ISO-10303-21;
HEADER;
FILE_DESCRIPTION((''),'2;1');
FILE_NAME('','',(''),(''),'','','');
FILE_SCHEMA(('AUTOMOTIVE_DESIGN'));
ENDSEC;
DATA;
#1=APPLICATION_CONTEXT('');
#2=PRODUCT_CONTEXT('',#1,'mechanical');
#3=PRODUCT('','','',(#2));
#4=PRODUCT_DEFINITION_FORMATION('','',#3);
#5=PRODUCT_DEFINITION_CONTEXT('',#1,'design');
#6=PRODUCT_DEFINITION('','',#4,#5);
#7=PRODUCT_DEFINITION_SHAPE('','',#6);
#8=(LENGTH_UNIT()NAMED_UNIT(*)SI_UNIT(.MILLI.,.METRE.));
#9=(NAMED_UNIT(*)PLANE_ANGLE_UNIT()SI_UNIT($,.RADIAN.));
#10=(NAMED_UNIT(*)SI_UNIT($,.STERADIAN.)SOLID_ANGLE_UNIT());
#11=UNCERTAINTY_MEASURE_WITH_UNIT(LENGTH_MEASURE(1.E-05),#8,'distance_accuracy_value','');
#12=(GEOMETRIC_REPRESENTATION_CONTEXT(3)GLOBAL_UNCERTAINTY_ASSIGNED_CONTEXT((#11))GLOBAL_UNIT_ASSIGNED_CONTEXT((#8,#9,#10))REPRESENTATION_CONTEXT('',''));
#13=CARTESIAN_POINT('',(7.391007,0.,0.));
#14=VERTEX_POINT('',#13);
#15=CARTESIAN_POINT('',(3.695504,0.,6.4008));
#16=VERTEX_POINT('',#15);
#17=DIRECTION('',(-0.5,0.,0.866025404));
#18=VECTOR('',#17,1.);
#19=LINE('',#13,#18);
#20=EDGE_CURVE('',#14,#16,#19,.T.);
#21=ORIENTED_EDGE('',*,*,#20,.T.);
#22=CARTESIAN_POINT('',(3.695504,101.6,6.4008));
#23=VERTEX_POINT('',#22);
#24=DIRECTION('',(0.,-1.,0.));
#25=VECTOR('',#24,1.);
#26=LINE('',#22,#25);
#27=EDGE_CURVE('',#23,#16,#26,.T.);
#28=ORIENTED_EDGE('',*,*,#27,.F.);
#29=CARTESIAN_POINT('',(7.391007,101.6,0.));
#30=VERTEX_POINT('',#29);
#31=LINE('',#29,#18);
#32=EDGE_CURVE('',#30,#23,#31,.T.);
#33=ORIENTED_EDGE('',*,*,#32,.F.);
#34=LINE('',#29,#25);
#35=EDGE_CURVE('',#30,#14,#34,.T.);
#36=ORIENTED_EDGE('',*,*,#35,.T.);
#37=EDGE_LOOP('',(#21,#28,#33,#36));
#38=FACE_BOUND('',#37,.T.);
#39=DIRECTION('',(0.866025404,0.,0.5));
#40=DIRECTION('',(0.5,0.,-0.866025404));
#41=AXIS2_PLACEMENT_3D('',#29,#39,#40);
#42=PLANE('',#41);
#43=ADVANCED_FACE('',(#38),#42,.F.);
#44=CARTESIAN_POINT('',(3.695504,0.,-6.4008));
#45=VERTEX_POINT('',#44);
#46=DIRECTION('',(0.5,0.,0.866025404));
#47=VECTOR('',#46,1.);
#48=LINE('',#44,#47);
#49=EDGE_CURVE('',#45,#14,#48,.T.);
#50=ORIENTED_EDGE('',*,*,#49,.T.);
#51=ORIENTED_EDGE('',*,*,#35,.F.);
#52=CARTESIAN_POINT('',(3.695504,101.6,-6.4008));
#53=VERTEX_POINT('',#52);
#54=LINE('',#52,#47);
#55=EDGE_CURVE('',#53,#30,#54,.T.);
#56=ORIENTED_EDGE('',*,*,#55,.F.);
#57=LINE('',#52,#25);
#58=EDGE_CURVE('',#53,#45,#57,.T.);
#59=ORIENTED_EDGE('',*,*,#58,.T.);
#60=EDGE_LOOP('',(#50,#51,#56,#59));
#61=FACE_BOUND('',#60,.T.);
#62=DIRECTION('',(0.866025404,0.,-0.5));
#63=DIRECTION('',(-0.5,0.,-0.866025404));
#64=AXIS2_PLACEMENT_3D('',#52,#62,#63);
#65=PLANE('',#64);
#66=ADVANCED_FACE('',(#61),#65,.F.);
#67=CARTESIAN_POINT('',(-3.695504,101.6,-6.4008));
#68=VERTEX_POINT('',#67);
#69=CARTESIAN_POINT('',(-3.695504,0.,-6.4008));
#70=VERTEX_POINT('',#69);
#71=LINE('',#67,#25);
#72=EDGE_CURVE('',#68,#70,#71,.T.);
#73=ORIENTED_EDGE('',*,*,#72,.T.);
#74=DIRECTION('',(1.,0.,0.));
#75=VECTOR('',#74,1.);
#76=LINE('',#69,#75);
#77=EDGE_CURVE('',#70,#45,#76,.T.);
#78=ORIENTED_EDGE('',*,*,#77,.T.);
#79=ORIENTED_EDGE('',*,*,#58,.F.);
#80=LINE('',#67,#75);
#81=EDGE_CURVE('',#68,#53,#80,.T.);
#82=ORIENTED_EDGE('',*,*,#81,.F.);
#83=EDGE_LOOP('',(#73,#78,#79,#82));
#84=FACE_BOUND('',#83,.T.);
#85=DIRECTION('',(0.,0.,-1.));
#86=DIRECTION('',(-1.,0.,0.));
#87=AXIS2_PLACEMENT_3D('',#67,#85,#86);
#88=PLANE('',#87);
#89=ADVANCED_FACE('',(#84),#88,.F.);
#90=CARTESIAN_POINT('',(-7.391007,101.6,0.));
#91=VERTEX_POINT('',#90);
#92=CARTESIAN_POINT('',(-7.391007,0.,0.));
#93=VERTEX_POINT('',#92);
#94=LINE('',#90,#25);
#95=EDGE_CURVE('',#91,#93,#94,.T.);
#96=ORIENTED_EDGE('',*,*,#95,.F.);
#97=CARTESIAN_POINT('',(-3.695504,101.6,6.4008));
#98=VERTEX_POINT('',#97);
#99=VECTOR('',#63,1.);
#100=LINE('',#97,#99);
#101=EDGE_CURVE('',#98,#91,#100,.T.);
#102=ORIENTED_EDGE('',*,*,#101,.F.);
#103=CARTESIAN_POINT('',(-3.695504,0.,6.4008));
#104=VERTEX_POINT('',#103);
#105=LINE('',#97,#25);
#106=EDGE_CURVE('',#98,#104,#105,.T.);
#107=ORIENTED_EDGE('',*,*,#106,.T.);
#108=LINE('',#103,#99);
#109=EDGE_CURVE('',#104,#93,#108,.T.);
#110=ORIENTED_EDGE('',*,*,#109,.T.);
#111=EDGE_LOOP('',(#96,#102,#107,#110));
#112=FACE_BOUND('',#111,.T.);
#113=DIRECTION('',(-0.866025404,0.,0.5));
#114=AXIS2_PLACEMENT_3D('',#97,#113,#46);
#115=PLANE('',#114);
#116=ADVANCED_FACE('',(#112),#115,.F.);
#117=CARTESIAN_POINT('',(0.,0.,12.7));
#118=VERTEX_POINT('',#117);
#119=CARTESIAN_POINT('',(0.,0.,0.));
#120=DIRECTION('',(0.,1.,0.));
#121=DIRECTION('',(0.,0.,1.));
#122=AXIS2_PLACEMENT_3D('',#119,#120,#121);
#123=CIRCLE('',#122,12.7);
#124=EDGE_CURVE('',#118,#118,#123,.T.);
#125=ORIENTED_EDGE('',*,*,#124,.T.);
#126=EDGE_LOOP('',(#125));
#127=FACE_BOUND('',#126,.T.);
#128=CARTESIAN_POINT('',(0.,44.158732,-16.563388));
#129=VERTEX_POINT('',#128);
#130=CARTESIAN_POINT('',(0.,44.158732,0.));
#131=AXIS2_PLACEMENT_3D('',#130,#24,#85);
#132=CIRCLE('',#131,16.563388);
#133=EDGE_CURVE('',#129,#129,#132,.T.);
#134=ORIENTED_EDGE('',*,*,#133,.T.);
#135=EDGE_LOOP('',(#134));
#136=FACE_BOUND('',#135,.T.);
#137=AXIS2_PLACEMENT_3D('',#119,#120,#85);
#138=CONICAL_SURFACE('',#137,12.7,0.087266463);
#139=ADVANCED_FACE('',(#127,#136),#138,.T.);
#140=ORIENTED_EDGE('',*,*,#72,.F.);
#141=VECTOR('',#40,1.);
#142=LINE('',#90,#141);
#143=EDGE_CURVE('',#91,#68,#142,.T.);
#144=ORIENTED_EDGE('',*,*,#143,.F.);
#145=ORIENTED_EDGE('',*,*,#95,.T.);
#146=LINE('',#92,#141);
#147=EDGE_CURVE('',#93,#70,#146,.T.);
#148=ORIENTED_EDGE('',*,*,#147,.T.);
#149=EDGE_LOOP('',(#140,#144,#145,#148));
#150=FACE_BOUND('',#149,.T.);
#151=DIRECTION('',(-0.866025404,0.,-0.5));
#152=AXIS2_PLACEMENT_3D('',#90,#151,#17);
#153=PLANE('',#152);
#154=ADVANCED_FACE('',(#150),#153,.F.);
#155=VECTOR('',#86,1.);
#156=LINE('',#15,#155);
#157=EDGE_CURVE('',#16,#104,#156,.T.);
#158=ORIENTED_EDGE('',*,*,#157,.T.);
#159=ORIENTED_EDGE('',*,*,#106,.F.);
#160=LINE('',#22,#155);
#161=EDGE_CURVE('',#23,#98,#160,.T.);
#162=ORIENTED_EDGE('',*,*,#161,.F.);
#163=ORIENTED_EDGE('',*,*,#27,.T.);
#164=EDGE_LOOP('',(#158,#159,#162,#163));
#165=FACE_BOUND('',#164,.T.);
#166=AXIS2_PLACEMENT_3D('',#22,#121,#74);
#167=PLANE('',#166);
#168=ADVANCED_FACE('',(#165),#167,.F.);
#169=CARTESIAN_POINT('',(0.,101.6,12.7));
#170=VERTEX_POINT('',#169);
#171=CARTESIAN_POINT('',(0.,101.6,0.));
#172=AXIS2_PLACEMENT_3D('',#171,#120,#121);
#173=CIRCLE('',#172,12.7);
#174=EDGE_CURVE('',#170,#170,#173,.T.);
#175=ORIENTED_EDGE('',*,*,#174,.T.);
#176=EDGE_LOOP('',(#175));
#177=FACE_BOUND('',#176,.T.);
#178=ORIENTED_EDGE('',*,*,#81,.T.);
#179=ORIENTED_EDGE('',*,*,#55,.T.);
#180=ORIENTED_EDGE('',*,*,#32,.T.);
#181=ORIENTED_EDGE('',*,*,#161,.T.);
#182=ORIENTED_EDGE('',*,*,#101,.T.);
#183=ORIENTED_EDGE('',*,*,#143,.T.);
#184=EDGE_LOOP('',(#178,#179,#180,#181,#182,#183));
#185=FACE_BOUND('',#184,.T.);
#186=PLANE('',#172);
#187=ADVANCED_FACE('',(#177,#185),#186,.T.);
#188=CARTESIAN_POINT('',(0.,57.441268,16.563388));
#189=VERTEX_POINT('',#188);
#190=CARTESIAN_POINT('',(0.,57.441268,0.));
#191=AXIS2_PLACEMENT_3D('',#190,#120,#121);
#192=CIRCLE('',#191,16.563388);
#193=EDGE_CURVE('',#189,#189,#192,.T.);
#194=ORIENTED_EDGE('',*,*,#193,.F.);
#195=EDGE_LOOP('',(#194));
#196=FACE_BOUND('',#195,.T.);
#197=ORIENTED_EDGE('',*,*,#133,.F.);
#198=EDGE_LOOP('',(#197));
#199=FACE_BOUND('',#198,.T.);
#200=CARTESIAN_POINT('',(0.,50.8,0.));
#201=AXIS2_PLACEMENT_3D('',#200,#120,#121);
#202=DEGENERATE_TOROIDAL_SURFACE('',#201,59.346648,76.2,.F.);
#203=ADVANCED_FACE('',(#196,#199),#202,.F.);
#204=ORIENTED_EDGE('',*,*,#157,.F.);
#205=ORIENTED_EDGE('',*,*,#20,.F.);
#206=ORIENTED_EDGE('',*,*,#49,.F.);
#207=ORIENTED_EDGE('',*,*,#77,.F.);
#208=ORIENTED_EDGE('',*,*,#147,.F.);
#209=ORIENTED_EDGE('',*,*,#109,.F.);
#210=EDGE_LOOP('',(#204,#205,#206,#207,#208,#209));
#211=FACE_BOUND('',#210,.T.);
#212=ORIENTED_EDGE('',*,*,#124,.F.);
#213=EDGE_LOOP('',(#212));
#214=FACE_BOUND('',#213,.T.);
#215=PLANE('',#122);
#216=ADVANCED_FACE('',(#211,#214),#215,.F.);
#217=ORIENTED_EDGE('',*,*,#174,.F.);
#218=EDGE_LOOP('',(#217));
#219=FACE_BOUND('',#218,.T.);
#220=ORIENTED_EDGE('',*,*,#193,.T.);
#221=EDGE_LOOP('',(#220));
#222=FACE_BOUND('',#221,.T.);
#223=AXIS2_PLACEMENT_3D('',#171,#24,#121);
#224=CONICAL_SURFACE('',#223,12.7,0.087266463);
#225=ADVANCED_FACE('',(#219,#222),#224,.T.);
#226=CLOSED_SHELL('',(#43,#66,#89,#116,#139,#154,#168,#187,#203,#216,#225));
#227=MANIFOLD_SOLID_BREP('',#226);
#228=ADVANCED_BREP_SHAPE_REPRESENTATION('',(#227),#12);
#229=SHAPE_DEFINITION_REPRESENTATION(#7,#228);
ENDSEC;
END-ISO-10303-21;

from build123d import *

# Parameters (mm, degrees)
SKETCH1_R           = 12.7
BOSS_EXTRUDE1_DEPTH = 101.6
SKETCH2_R           = 12.7
BOSS_EXTRUDE2_DEPTH = 50.8
BOSS_EXTRUDE2_DRAFT = 5
SKETCH3_R           = 12.7
BOSS_EXTRUDE3_DEPTH = 50.8
BOSS_EXTRUDE3_DRAFT = 5
CUT_EXTRUDE1_DEPTH  = 105.452968153
FILLET2_R           = 76.2


with BuildPart() as part:
    # Sketch1 → Boss-Extrude1 (new body)
    with BuildSketch(Plane(origin=(0, 0, 0), x_dir=(1, 0, 0), z_dir=(0, 1, 0))):
        with Locations(Location((0, 0, 0), (0, 0, 270))):
            Circle(SKETCH1_R)
    extrude(amount=BOSS_EXTRUDE1_DEPTH)


with BuildPart() as boss_extrude2_tool:
    # Sketch2 → Boss-Extrude2 (with draft: the straight prism first)
    with BuildSketch(Plane(origin=(0, 101.6, 0), x_dir=(1, 0, 0), z_dir=(0, 1, 0))):
        with Locations(Location((0, 0, 0), (0, 0, 270))):
            Circle(SKETCH2_R)
    extrude(amount=-BOSS_EXTRUDE2_DEPTH)
    # Boss-Extrude2: the draft: its side faces are tilted about the plane it starts from
    boss_extrude2_sides = [boss_extrude2_tool.faces().sort_by_distance(p)[0] for p in [
        (0, 76.2, -12.7),
    ]]
    draft(boss_extrude2_sides, Plane(origin=(0, 101.6, 0), x_dir=(1, 0, 0), z_dir=(0, 1, 0)), BOSS_EXTRUDE2_DRAFT)


with BuildPart() as part_1:
    add(part.part)

    # Boss-Extrude2: add boss_extrude2_tool
    add(boss_extrude2_tool.part)


with BuildPart() as boss_extrude3_tool:
    # Sketch3 → Boss-Extrude3 (with draft: the straight prism first)
    with BuildSketch(Plane(origin=(0, 0, 0), x_dir=(-1, 0, 0), z_dir=(0, -1, 0))):
        Circle(SKETCH3_R)
    extrude(amount=-BOSS_EXTRUDE3_DEPTH)
    # Boss-Extrude3: the draft: its side faces are tilted about the plane it starts from
    boss_extrude3_sides = [boss_extrude3_tool.faces().sort_by_distance(p)[0] for p in [
        (12.7, 25.4, 0),
    ]]
    draft(boss_extrude3_sides, Plane(origin=(0, 0, 0), x_dir=(-1, 0, 0), z_dir=(0, -1, 0)), BOSS_EXTRUDE3_DRAFT)


with BuildPart() as part_2:
    add(part_1.part)

    # Boss-Extrude3: add boss_extrude3_tool
    add(boss_extrude3_tool.part)

    # Sketch5 → Cut-Extrude1 (cut, through all)
    with BuildSketch(Plane(origin=(0, 0, 0), x_dir=(-1, 0, 0), z_dir=(0, -1, 0))):
        Polygon((-7.391007206, 0), (-3.695503603, -6.4008), (3.695503603, -6.4008), (7.391007206, 0), (3.695503603, 6.4008), (-3.695503603, 6.4008), align=None)
    extrude(amount=-CUT_EXTRUDE1_DEPTH, mode=Mode.SUBTRACT)

    # Fillet2
    fillet2_edges = [part_2.edges().sort_by_distance(p)[0] for p in [
        (12.122938546, 50.8, -12.122938546),
    ]]
    fillet(fillet2_edges, radius=FILLET2_R)


solid = part_2.part
